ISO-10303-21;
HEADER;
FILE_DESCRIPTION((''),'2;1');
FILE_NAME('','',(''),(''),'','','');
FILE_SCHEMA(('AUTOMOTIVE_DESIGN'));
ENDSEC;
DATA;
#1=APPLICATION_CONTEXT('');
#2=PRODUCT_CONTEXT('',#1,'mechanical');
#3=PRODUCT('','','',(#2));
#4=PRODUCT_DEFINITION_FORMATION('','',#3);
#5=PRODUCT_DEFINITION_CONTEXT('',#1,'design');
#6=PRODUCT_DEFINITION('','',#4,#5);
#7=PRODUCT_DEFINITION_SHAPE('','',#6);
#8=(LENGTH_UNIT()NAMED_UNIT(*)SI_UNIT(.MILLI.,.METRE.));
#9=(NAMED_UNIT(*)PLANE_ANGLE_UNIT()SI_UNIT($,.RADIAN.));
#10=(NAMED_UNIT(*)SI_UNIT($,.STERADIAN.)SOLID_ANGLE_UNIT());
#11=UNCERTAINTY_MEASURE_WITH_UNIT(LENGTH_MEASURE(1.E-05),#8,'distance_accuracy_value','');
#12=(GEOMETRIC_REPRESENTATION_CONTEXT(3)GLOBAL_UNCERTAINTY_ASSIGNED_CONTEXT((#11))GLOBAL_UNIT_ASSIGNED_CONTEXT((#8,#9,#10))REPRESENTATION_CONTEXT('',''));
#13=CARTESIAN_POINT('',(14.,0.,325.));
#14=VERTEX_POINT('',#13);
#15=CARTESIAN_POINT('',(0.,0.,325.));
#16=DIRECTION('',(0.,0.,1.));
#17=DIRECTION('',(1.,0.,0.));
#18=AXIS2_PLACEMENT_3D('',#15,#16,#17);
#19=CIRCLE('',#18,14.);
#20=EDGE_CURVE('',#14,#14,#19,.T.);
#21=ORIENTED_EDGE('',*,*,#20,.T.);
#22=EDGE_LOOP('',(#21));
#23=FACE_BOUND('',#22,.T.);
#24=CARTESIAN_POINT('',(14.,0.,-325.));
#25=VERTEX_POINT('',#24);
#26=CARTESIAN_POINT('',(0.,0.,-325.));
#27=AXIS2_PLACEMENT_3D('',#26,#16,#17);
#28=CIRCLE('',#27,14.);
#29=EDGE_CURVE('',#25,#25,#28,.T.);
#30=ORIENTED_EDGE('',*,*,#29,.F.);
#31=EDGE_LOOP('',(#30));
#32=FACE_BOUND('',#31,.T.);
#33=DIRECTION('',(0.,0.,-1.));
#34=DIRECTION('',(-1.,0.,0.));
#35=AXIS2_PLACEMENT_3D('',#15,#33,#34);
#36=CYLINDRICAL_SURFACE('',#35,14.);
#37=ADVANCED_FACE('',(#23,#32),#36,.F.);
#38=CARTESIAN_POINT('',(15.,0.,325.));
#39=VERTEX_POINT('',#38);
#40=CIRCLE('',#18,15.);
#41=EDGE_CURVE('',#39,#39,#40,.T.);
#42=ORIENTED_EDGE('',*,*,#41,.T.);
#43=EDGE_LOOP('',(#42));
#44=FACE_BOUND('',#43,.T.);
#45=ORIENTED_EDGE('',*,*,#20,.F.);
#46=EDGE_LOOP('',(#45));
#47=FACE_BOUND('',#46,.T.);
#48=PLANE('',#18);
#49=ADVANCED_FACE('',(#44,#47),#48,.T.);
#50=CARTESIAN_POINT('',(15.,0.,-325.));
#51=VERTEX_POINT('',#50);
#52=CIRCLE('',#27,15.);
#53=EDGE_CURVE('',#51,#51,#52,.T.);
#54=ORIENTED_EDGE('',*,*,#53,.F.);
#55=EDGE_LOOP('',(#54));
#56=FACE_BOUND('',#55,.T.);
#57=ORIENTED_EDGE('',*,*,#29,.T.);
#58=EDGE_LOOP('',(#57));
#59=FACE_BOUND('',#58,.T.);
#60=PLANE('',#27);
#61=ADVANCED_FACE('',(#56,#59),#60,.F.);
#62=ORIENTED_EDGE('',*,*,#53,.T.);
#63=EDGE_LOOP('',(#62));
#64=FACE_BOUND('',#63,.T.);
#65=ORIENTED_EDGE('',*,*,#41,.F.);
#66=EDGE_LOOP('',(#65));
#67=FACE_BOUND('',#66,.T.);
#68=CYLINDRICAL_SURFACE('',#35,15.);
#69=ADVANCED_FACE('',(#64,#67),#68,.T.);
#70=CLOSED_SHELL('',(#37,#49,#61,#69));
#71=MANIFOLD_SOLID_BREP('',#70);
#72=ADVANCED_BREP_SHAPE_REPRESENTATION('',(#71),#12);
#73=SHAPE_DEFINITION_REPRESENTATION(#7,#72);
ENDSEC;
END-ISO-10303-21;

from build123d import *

# Parameters (mm, degrees)
SKETCH_1_R      = 15
SKETCH_1_R_2    = 14
EXTRUDE_1_DEPTH = 325


with BuildPart() as part:
    # Эскиз1 → Бобышка-Вытянуть1 (new, symmetric)
    with BuildSketch(Plane.XY):
        Circle(SKETCH_1_R)
        Circle(SKETCH_1_R_2, mode=Mode.SUBTRACT)
    extrude(amount=EXTRUDE_1_DEPTH, both=True)


solid = part.part
